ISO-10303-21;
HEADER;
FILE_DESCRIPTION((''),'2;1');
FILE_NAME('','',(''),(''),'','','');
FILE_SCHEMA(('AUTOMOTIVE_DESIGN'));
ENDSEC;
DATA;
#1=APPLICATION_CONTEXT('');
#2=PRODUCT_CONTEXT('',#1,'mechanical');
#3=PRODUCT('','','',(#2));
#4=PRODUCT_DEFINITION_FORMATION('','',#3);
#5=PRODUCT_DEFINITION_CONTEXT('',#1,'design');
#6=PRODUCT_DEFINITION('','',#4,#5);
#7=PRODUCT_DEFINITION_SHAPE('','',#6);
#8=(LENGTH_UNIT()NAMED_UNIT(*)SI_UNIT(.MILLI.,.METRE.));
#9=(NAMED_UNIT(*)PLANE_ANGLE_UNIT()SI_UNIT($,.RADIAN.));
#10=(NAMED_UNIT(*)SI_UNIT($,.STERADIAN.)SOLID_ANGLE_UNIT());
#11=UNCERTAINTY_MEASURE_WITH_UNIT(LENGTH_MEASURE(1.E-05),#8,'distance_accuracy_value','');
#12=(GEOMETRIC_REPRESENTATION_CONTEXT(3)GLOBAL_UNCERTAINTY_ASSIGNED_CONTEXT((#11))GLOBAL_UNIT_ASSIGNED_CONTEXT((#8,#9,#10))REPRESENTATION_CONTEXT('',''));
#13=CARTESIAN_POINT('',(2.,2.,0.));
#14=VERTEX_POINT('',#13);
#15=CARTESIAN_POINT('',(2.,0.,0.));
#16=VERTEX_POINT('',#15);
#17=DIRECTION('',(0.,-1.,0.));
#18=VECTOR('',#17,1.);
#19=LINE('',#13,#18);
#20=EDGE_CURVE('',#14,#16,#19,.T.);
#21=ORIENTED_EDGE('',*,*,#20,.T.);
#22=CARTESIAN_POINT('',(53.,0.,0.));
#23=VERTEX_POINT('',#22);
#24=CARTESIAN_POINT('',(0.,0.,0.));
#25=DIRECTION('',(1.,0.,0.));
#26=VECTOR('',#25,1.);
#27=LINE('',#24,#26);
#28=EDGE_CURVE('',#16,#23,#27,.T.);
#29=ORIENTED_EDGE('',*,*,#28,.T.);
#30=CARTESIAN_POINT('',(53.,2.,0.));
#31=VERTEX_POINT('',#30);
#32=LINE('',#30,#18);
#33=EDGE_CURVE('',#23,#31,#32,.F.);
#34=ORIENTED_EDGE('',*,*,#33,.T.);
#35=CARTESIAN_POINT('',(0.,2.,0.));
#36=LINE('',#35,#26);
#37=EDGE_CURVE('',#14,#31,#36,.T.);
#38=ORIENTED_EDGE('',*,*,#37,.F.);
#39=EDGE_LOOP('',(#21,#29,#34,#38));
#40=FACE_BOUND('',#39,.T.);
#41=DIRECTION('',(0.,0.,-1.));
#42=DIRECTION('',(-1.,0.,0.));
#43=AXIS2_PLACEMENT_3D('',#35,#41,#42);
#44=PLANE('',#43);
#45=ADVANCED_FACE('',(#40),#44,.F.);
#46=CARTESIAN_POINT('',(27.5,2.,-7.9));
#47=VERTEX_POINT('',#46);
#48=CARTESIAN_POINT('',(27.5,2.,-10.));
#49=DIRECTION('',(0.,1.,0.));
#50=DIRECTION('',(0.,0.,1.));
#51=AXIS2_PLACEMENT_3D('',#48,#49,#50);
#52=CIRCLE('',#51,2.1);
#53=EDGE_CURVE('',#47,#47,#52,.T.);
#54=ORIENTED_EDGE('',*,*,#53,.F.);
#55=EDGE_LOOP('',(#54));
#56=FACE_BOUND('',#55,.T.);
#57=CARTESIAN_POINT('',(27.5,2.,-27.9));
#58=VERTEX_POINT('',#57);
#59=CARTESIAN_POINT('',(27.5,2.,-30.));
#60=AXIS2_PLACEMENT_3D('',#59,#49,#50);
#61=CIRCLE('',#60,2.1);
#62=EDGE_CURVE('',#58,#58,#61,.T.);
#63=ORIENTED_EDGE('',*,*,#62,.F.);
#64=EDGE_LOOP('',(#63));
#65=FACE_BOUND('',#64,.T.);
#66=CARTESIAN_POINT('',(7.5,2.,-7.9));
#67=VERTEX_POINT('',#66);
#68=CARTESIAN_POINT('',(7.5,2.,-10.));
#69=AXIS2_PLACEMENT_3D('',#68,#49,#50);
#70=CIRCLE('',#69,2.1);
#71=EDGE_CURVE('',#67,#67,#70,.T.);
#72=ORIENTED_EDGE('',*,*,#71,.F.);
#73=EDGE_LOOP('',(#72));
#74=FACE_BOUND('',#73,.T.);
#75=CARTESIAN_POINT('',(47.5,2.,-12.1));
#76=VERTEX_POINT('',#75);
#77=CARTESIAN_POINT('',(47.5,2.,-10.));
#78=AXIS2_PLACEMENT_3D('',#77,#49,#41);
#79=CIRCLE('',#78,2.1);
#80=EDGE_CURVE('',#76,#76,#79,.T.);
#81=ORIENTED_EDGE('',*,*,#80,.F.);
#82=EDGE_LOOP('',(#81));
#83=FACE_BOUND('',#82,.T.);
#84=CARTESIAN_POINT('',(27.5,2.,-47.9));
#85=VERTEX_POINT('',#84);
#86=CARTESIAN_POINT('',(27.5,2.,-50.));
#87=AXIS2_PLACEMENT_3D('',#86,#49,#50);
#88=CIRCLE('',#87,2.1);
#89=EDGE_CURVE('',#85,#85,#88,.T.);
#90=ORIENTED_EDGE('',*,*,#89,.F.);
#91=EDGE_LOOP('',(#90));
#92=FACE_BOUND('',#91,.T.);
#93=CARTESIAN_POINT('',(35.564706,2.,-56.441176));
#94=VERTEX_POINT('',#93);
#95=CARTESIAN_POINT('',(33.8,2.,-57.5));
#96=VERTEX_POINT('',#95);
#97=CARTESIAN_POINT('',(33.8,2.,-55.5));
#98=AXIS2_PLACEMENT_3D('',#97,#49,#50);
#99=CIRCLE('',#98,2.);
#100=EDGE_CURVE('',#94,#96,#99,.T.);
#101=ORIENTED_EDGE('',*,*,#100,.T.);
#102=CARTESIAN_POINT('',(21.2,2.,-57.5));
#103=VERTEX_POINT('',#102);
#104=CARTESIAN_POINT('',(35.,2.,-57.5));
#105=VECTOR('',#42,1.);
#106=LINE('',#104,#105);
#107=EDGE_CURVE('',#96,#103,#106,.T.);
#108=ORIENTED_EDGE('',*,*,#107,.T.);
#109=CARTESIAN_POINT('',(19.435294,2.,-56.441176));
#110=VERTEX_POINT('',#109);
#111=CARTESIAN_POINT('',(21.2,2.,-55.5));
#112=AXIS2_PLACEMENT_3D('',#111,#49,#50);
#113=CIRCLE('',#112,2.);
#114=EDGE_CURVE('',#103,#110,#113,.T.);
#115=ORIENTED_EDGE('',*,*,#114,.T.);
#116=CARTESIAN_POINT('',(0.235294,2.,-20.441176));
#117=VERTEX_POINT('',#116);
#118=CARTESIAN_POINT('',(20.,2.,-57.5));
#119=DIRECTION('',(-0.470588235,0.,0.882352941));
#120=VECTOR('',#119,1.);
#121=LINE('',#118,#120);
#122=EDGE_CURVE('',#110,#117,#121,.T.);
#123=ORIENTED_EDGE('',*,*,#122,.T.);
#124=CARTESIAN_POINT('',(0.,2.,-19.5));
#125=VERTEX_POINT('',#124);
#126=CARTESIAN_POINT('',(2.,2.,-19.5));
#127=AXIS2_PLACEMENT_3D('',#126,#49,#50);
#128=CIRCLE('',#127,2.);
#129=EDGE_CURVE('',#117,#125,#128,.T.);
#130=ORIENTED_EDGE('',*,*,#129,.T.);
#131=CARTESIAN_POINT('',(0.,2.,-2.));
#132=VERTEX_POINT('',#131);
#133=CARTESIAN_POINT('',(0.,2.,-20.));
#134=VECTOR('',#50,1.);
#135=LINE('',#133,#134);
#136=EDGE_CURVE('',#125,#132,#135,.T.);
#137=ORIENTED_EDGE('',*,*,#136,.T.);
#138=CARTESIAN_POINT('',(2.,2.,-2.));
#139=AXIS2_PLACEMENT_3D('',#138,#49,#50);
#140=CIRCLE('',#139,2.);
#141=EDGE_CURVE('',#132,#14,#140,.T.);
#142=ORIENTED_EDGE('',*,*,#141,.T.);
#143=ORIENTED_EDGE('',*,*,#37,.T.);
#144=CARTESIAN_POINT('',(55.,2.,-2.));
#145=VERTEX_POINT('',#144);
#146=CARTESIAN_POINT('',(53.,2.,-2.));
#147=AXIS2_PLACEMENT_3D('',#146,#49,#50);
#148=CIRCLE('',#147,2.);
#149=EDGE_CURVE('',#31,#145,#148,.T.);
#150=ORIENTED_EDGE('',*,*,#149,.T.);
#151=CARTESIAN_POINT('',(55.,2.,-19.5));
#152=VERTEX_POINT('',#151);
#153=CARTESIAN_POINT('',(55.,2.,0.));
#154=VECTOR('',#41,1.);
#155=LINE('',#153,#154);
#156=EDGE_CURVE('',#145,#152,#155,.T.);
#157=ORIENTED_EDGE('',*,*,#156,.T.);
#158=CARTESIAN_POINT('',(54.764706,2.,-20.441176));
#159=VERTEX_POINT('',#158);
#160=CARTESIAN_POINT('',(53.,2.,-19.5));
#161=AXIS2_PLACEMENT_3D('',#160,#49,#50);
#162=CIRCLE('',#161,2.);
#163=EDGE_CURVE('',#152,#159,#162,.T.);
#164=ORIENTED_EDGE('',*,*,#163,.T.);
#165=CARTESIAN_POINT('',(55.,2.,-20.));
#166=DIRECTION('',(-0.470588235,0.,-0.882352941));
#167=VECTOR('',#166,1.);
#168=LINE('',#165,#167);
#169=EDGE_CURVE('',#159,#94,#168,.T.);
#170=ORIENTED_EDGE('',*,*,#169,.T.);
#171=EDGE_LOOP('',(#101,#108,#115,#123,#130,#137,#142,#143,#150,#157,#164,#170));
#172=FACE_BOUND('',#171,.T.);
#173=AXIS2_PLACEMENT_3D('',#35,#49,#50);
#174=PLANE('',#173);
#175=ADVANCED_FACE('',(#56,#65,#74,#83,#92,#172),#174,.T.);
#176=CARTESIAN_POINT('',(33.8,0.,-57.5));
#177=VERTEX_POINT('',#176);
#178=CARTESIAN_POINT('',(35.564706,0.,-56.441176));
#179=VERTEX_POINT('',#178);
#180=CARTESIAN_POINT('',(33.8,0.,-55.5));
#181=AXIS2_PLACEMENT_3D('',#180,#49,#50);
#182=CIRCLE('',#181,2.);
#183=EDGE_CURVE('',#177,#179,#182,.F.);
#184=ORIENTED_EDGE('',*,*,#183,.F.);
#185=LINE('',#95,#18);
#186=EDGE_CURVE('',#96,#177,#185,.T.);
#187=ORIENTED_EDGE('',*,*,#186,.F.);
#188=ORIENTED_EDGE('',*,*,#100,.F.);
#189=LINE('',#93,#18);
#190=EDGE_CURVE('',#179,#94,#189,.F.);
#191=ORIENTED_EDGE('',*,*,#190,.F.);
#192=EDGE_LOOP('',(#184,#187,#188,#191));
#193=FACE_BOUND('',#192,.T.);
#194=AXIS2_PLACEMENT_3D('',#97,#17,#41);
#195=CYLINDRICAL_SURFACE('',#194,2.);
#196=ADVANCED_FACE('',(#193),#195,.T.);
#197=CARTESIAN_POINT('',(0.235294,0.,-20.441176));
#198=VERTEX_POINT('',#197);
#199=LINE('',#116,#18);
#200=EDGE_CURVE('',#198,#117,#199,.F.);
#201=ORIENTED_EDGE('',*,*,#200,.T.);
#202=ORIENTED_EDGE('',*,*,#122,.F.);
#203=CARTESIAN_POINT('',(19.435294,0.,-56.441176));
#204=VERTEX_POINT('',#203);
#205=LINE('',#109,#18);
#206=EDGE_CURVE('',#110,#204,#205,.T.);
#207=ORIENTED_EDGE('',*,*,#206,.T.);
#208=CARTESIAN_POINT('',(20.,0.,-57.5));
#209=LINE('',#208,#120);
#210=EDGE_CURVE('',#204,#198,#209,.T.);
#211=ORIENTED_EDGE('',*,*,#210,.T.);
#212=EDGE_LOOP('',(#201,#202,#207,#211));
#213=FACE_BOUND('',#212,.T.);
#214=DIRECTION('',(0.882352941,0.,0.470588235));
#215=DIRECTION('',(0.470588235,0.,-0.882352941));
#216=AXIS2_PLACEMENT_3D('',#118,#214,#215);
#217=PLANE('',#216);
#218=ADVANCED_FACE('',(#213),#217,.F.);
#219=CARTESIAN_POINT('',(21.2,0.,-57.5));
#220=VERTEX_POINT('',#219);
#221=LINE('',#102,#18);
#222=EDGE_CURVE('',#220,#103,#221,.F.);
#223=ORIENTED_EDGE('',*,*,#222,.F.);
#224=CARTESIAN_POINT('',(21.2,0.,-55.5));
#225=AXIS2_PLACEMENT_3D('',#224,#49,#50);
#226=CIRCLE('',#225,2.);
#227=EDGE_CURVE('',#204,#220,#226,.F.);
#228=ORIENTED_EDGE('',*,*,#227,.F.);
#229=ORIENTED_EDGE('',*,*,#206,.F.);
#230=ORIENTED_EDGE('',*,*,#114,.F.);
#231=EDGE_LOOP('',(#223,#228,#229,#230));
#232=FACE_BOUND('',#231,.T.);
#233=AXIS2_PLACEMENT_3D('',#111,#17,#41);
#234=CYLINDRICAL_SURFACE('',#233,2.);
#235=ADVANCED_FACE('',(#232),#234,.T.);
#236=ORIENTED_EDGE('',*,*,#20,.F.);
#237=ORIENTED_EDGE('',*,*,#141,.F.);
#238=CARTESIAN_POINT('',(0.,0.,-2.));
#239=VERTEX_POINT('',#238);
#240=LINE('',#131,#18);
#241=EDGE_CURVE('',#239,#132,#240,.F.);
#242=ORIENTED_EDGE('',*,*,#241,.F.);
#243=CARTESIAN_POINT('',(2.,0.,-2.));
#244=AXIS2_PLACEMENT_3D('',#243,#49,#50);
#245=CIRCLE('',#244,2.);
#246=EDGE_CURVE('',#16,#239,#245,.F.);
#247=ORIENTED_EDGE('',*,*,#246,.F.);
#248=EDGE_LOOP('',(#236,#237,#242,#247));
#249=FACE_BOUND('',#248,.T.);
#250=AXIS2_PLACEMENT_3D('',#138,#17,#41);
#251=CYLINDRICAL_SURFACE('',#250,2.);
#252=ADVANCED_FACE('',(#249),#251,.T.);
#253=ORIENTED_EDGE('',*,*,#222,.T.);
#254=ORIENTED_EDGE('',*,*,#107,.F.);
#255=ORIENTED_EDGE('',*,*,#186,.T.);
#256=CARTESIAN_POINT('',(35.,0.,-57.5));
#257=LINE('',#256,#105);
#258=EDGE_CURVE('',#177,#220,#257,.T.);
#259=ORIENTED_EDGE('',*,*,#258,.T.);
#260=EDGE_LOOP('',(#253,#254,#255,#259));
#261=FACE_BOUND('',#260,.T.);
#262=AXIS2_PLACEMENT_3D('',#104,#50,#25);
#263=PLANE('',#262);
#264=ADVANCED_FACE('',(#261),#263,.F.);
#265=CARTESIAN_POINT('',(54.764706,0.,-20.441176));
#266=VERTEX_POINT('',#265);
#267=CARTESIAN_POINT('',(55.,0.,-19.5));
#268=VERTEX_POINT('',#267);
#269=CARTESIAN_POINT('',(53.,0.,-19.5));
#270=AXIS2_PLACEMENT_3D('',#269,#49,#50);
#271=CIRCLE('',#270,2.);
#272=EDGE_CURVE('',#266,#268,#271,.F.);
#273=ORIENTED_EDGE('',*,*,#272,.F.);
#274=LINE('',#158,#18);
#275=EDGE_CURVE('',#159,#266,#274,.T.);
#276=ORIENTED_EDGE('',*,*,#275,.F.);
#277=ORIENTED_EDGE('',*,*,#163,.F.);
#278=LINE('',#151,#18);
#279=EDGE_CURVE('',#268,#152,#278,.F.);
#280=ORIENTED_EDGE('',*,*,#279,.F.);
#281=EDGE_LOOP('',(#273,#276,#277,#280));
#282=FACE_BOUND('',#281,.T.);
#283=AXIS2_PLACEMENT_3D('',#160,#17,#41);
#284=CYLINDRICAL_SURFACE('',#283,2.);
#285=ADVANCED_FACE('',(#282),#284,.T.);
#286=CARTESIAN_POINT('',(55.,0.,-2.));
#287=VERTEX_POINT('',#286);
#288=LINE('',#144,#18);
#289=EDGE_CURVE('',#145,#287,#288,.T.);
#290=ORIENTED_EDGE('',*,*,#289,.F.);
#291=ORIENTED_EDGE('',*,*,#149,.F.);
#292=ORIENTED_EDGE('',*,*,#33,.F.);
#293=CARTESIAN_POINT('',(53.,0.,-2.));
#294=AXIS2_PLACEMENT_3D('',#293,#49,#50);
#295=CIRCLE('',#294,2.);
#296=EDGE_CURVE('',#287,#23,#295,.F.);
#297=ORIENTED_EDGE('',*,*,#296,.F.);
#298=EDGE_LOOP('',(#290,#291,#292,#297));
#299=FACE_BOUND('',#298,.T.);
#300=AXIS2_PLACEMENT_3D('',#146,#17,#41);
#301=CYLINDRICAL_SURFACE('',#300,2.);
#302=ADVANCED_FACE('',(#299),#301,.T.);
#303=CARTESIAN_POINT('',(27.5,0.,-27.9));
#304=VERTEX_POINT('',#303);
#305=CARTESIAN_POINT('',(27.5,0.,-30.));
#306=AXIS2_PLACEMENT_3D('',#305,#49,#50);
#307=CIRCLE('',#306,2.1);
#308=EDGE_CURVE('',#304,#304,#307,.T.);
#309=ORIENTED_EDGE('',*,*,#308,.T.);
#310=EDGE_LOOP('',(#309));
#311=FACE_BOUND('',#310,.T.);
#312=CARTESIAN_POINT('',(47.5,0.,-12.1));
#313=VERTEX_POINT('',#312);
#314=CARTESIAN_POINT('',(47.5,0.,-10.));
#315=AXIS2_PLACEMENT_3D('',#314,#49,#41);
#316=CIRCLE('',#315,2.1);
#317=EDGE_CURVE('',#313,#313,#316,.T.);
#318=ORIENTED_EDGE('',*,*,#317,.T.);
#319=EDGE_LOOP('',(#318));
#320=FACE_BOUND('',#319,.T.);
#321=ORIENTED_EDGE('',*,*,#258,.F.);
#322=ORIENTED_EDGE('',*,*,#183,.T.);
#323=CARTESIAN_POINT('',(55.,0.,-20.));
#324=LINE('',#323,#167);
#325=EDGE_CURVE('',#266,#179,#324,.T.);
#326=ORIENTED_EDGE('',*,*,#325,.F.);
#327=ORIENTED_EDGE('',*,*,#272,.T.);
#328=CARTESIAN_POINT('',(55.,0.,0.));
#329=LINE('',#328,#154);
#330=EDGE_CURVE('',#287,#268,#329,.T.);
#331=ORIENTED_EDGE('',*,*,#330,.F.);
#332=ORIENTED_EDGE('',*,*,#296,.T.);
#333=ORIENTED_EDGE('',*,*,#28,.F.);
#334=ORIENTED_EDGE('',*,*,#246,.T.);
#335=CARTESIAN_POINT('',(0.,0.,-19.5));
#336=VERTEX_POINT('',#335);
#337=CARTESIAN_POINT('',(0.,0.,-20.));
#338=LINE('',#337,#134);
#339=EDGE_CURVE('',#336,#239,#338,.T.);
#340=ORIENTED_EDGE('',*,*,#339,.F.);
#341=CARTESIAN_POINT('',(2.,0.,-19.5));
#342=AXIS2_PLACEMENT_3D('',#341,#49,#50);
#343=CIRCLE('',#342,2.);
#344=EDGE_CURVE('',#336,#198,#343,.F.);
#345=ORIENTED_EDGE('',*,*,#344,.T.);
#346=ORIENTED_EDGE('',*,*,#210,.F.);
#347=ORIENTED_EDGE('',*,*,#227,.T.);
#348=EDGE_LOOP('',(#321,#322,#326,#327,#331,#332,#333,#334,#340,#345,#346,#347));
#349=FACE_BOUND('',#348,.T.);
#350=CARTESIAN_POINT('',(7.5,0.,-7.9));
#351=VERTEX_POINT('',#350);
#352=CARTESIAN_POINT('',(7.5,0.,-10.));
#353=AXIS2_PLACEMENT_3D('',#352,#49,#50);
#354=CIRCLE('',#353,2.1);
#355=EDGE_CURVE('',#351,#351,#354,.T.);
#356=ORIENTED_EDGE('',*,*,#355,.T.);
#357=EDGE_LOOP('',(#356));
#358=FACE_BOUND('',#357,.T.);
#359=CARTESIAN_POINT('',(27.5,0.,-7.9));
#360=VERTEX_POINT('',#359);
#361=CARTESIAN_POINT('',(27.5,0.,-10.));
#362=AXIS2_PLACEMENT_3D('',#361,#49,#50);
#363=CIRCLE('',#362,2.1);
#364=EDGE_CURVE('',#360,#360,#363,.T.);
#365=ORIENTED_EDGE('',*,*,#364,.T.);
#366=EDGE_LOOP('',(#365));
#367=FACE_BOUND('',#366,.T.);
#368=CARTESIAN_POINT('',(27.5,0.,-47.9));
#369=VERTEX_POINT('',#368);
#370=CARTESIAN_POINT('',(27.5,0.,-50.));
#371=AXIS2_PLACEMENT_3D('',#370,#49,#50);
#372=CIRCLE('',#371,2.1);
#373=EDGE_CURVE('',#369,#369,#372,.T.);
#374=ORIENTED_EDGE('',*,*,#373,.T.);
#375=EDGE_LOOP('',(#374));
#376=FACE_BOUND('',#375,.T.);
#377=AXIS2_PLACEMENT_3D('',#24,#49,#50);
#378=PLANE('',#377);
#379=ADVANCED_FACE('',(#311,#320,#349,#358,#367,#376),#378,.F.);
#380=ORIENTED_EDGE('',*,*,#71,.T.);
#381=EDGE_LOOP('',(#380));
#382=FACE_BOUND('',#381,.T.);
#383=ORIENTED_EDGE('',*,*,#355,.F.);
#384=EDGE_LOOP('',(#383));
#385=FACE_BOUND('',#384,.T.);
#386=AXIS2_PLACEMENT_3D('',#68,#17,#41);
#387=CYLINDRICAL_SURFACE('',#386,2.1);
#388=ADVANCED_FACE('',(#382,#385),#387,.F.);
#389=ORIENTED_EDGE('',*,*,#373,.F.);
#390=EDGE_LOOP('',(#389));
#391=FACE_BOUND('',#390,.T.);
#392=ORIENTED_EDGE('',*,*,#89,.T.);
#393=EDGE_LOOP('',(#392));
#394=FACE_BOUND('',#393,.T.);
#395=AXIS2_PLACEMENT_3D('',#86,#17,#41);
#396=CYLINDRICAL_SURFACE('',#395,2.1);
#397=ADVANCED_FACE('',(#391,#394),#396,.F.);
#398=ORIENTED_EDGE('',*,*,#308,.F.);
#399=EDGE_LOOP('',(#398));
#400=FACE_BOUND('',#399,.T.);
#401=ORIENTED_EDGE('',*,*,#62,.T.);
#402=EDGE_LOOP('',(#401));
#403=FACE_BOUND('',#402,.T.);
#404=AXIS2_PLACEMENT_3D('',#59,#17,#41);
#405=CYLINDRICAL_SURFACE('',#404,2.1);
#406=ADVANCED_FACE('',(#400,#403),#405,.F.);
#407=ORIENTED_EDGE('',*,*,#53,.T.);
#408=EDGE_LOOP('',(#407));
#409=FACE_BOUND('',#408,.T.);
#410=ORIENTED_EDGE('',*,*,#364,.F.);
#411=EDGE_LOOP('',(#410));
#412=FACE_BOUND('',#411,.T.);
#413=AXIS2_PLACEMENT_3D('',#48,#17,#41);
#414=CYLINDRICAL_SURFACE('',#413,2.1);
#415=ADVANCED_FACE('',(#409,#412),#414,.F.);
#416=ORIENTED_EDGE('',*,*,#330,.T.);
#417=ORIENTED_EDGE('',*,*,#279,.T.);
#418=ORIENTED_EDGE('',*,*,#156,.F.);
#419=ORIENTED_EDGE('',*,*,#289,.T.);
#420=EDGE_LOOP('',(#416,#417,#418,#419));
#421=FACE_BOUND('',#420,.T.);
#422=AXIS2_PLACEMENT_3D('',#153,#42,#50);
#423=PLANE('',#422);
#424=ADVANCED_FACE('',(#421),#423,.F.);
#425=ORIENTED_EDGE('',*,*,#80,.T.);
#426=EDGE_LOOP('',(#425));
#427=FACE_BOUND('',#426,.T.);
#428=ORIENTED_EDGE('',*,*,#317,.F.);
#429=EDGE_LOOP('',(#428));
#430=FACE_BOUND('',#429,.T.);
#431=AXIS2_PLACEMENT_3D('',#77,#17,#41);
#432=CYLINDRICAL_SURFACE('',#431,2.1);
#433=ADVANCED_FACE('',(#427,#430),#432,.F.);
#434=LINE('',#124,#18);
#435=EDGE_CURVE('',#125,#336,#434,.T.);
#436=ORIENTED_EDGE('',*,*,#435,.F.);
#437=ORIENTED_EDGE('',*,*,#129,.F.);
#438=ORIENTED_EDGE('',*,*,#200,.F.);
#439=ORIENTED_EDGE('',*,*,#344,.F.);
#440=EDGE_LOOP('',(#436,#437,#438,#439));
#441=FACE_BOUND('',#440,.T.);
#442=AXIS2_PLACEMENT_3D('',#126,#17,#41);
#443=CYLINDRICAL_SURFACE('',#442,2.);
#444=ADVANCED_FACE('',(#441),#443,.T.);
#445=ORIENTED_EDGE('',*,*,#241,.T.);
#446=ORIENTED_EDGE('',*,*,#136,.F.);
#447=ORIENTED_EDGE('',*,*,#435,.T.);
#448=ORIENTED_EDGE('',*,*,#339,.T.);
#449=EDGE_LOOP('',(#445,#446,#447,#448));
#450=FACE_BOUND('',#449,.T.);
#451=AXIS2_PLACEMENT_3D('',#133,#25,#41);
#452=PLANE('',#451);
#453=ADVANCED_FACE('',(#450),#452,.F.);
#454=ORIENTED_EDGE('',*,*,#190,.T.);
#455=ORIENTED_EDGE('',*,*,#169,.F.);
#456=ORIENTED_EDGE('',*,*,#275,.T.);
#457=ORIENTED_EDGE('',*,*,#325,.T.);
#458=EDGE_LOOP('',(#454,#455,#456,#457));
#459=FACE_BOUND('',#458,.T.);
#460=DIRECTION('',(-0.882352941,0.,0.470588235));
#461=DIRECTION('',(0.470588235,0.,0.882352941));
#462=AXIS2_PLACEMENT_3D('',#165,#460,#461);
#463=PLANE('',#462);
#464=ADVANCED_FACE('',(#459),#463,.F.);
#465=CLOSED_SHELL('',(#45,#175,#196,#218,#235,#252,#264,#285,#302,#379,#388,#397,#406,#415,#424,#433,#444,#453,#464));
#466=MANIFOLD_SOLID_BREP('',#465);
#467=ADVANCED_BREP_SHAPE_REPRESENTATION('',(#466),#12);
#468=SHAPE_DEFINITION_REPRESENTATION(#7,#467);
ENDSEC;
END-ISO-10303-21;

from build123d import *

# Parameters (mm, degrees)
SKETCH_1_R      = 2.1
EXTRUDE_1_DEPTH = 2
FILLET_1_R      = 2


with BuildPart() as part:
    # ｽｹｯﾁ1 → ﾎﾞｽ - 押し出し1 (new body)
    with BuildSketch(Plane(origin=(0, 0, 0), x_dir=(1, 0, 0), z_dir=(0, 1, 0))):
        Polygon((0, 0), (55, 0), (55, 20), (35, 57.5), (20, 57.5), (0, 20), align=None)
        with Locations(Location((7.5, 10, 0), (0, 0, 270))):
            Circle(SKETCH_1_R, mode=Mode.SUBTRACT)
        with Locations(Location((47.5, 10, 0), (0, 0, 90))):
            Circle(SKETCH_1_R, mode=Mode.SUBTRACT)
        with Locations(Location((27.5, 10, 0), (0, 0, 270))):
            Circle(SKETCH_1_R, mode=Mode.SUBTRACT)
        with Locations(Location((27.5, 50, 0), (0, 0, 270))):
            Circle(SKETCH_1_R, mode=Mode.SUBTRACT)
        with Locations(Location((27.5, 30, 0), (0, 0, 270))):
            Circle(SKETCH_1_R, mode=Mode.SUBTRACT)
    extrude(amount=EXTRUDE_1_DEPTH)

    # ﾌｨﾚｯﾄ1
    fillet_1_edges = [part.edges().sort_by_distance(p)[0] for p in [
        (0, 1, -20),
        (20, 1, -57.5),
        (35, 1, -57.5),
        (55, 1, -20),
        (55, 1, 0),
        (0, 1, 0),
    ]]
    fillet(fillet_1_edges, radius=FILLET_1_R)


solid = part.part
